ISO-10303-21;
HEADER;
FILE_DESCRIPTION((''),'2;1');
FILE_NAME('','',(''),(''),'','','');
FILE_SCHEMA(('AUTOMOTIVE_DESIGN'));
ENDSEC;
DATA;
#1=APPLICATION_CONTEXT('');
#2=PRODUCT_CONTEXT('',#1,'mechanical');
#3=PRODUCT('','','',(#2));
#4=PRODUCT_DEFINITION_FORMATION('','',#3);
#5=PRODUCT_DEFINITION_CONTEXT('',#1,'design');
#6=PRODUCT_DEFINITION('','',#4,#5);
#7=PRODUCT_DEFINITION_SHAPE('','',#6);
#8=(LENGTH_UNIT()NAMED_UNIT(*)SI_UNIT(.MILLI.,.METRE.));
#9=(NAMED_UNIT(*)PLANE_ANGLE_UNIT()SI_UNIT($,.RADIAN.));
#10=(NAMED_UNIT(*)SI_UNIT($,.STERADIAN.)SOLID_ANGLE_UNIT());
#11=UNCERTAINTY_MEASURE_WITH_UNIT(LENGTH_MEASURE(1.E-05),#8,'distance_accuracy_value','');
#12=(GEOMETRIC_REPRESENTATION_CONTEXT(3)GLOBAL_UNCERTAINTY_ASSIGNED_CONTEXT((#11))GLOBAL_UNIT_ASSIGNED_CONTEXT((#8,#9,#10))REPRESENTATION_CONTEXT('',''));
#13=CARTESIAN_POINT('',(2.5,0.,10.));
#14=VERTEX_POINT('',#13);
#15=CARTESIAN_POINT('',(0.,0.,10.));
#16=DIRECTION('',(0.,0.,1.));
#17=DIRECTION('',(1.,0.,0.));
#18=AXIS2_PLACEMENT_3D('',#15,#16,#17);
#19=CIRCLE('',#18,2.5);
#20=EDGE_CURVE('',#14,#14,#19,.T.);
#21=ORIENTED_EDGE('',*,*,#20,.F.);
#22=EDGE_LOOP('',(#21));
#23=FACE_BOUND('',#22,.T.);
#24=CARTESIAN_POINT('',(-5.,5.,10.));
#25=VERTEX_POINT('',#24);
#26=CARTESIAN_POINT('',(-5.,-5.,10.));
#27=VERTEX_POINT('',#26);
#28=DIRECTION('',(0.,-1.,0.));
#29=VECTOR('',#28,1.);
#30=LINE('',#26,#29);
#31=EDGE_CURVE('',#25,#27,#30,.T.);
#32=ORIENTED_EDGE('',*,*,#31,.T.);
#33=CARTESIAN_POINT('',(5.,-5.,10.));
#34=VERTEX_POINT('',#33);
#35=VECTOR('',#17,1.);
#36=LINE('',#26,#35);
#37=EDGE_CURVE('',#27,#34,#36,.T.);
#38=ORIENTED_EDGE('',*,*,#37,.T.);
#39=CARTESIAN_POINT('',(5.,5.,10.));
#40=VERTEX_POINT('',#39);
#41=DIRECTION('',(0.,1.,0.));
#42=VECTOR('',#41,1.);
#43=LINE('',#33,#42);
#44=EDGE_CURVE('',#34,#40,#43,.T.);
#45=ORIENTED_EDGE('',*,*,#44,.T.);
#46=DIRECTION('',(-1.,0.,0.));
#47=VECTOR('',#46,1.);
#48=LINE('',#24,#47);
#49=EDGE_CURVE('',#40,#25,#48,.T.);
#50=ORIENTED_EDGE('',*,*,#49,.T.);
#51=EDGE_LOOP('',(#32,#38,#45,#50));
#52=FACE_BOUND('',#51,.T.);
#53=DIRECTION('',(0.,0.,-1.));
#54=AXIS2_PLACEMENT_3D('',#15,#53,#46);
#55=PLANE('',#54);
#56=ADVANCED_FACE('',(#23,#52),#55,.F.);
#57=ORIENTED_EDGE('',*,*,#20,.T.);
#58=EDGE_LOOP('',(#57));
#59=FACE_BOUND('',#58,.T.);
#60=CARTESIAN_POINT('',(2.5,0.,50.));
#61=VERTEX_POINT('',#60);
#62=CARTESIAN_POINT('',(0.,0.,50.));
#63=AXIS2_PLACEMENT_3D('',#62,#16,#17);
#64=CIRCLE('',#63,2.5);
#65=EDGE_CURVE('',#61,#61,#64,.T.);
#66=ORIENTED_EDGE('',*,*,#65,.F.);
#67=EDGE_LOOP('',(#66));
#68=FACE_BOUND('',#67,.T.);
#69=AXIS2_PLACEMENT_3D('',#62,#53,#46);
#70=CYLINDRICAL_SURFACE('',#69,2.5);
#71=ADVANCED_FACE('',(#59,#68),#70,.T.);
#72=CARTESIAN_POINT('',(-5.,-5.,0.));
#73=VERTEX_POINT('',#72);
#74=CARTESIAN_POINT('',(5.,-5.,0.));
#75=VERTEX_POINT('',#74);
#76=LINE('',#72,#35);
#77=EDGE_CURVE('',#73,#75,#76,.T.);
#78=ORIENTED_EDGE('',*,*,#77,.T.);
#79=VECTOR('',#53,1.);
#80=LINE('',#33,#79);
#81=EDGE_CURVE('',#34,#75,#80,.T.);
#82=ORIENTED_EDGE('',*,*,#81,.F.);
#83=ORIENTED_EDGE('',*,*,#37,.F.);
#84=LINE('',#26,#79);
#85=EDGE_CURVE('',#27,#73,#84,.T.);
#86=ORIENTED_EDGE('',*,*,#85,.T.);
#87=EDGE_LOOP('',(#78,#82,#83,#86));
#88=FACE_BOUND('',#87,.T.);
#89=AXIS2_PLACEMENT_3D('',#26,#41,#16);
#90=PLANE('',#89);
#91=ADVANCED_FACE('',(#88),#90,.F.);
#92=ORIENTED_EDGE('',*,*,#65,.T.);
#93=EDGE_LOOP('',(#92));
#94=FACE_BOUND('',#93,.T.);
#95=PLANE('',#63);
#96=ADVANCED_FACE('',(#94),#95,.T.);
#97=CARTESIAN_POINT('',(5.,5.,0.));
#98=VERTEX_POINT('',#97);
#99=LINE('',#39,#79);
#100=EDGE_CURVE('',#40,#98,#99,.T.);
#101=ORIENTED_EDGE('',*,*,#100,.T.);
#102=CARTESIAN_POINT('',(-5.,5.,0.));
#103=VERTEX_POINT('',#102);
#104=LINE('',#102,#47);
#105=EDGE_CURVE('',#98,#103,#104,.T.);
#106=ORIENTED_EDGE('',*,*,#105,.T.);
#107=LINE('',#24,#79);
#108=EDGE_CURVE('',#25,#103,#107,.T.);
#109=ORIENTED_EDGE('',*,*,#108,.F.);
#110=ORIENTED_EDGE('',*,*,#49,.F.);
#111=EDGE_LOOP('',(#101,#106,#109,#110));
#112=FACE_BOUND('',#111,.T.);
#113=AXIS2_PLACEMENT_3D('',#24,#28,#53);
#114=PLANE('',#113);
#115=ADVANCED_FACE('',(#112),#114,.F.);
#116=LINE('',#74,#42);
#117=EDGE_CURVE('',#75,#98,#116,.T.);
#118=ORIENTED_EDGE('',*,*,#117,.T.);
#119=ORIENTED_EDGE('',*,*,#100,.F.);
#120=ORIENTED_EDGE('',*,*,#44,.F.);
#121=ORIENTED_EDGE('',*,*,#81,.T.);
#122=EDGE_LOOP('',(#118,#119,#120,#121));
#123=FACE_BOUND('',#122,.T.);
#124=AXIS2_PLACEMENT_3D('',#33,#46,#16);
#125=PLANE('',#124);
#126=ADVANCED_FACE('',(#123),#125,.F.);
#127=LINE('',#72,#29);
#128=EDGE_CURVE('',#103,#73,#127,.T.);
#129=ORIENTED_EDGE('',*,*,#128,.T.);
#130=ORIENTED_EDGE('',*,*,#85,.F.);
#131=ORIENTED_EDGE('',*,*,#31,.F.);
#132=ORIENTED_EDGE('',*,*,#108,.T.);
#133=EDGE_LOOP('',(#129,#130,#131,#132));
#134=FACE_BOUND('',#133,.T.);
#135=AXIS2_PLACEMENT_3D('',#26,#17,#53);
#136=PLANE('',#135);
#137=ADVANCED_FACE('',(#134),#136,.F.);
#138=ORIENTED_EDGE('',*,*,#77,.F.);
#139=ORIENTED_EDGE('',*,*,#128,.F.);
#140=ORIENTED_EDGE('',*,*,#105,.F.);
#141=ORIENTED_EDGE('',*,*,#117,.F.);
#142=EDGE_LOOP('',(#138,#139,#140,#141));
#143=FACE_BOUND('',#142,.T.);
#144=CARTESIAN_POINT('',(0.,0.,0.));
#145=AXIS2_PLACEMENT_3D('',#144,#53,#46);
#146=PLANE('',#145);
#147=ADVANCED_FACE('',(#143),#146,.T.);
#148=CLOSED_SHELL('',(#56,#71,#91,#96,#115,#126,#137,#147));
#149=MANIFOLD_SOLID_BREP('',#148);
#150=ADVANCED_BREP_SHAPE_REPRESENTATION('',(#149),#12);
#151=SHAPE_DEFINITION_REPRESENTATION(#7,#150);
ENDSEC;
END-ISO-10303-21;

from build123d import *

# Parameters (mm, degrees)
SKETCH_1_W      = 10
SKETCH_1_H      = 10
EXTRUDE_1_DEPTH = 10
SKETCH_2_R      = 2.5
EXTRUDE_2_DEPTH = 40


with BuildPart() as part:
    # 草图1 → 凸台-拉伸1 (new body)
    with BuildSketch(Plane.XY):
        Rectangle(SKETCH_1_W, SKETCH_1_H)
    extrude(amount=EXTRUDE_1_DEPTH)

    # 草图2 → 凸台-拉伸2 (add)
    with BuildSketch(Plane.XY.offset(10)):
        Circle(SKETCH_2_R)
    extrude(amount=EXTRUDE_2_DEPTH)


solid = part.part
